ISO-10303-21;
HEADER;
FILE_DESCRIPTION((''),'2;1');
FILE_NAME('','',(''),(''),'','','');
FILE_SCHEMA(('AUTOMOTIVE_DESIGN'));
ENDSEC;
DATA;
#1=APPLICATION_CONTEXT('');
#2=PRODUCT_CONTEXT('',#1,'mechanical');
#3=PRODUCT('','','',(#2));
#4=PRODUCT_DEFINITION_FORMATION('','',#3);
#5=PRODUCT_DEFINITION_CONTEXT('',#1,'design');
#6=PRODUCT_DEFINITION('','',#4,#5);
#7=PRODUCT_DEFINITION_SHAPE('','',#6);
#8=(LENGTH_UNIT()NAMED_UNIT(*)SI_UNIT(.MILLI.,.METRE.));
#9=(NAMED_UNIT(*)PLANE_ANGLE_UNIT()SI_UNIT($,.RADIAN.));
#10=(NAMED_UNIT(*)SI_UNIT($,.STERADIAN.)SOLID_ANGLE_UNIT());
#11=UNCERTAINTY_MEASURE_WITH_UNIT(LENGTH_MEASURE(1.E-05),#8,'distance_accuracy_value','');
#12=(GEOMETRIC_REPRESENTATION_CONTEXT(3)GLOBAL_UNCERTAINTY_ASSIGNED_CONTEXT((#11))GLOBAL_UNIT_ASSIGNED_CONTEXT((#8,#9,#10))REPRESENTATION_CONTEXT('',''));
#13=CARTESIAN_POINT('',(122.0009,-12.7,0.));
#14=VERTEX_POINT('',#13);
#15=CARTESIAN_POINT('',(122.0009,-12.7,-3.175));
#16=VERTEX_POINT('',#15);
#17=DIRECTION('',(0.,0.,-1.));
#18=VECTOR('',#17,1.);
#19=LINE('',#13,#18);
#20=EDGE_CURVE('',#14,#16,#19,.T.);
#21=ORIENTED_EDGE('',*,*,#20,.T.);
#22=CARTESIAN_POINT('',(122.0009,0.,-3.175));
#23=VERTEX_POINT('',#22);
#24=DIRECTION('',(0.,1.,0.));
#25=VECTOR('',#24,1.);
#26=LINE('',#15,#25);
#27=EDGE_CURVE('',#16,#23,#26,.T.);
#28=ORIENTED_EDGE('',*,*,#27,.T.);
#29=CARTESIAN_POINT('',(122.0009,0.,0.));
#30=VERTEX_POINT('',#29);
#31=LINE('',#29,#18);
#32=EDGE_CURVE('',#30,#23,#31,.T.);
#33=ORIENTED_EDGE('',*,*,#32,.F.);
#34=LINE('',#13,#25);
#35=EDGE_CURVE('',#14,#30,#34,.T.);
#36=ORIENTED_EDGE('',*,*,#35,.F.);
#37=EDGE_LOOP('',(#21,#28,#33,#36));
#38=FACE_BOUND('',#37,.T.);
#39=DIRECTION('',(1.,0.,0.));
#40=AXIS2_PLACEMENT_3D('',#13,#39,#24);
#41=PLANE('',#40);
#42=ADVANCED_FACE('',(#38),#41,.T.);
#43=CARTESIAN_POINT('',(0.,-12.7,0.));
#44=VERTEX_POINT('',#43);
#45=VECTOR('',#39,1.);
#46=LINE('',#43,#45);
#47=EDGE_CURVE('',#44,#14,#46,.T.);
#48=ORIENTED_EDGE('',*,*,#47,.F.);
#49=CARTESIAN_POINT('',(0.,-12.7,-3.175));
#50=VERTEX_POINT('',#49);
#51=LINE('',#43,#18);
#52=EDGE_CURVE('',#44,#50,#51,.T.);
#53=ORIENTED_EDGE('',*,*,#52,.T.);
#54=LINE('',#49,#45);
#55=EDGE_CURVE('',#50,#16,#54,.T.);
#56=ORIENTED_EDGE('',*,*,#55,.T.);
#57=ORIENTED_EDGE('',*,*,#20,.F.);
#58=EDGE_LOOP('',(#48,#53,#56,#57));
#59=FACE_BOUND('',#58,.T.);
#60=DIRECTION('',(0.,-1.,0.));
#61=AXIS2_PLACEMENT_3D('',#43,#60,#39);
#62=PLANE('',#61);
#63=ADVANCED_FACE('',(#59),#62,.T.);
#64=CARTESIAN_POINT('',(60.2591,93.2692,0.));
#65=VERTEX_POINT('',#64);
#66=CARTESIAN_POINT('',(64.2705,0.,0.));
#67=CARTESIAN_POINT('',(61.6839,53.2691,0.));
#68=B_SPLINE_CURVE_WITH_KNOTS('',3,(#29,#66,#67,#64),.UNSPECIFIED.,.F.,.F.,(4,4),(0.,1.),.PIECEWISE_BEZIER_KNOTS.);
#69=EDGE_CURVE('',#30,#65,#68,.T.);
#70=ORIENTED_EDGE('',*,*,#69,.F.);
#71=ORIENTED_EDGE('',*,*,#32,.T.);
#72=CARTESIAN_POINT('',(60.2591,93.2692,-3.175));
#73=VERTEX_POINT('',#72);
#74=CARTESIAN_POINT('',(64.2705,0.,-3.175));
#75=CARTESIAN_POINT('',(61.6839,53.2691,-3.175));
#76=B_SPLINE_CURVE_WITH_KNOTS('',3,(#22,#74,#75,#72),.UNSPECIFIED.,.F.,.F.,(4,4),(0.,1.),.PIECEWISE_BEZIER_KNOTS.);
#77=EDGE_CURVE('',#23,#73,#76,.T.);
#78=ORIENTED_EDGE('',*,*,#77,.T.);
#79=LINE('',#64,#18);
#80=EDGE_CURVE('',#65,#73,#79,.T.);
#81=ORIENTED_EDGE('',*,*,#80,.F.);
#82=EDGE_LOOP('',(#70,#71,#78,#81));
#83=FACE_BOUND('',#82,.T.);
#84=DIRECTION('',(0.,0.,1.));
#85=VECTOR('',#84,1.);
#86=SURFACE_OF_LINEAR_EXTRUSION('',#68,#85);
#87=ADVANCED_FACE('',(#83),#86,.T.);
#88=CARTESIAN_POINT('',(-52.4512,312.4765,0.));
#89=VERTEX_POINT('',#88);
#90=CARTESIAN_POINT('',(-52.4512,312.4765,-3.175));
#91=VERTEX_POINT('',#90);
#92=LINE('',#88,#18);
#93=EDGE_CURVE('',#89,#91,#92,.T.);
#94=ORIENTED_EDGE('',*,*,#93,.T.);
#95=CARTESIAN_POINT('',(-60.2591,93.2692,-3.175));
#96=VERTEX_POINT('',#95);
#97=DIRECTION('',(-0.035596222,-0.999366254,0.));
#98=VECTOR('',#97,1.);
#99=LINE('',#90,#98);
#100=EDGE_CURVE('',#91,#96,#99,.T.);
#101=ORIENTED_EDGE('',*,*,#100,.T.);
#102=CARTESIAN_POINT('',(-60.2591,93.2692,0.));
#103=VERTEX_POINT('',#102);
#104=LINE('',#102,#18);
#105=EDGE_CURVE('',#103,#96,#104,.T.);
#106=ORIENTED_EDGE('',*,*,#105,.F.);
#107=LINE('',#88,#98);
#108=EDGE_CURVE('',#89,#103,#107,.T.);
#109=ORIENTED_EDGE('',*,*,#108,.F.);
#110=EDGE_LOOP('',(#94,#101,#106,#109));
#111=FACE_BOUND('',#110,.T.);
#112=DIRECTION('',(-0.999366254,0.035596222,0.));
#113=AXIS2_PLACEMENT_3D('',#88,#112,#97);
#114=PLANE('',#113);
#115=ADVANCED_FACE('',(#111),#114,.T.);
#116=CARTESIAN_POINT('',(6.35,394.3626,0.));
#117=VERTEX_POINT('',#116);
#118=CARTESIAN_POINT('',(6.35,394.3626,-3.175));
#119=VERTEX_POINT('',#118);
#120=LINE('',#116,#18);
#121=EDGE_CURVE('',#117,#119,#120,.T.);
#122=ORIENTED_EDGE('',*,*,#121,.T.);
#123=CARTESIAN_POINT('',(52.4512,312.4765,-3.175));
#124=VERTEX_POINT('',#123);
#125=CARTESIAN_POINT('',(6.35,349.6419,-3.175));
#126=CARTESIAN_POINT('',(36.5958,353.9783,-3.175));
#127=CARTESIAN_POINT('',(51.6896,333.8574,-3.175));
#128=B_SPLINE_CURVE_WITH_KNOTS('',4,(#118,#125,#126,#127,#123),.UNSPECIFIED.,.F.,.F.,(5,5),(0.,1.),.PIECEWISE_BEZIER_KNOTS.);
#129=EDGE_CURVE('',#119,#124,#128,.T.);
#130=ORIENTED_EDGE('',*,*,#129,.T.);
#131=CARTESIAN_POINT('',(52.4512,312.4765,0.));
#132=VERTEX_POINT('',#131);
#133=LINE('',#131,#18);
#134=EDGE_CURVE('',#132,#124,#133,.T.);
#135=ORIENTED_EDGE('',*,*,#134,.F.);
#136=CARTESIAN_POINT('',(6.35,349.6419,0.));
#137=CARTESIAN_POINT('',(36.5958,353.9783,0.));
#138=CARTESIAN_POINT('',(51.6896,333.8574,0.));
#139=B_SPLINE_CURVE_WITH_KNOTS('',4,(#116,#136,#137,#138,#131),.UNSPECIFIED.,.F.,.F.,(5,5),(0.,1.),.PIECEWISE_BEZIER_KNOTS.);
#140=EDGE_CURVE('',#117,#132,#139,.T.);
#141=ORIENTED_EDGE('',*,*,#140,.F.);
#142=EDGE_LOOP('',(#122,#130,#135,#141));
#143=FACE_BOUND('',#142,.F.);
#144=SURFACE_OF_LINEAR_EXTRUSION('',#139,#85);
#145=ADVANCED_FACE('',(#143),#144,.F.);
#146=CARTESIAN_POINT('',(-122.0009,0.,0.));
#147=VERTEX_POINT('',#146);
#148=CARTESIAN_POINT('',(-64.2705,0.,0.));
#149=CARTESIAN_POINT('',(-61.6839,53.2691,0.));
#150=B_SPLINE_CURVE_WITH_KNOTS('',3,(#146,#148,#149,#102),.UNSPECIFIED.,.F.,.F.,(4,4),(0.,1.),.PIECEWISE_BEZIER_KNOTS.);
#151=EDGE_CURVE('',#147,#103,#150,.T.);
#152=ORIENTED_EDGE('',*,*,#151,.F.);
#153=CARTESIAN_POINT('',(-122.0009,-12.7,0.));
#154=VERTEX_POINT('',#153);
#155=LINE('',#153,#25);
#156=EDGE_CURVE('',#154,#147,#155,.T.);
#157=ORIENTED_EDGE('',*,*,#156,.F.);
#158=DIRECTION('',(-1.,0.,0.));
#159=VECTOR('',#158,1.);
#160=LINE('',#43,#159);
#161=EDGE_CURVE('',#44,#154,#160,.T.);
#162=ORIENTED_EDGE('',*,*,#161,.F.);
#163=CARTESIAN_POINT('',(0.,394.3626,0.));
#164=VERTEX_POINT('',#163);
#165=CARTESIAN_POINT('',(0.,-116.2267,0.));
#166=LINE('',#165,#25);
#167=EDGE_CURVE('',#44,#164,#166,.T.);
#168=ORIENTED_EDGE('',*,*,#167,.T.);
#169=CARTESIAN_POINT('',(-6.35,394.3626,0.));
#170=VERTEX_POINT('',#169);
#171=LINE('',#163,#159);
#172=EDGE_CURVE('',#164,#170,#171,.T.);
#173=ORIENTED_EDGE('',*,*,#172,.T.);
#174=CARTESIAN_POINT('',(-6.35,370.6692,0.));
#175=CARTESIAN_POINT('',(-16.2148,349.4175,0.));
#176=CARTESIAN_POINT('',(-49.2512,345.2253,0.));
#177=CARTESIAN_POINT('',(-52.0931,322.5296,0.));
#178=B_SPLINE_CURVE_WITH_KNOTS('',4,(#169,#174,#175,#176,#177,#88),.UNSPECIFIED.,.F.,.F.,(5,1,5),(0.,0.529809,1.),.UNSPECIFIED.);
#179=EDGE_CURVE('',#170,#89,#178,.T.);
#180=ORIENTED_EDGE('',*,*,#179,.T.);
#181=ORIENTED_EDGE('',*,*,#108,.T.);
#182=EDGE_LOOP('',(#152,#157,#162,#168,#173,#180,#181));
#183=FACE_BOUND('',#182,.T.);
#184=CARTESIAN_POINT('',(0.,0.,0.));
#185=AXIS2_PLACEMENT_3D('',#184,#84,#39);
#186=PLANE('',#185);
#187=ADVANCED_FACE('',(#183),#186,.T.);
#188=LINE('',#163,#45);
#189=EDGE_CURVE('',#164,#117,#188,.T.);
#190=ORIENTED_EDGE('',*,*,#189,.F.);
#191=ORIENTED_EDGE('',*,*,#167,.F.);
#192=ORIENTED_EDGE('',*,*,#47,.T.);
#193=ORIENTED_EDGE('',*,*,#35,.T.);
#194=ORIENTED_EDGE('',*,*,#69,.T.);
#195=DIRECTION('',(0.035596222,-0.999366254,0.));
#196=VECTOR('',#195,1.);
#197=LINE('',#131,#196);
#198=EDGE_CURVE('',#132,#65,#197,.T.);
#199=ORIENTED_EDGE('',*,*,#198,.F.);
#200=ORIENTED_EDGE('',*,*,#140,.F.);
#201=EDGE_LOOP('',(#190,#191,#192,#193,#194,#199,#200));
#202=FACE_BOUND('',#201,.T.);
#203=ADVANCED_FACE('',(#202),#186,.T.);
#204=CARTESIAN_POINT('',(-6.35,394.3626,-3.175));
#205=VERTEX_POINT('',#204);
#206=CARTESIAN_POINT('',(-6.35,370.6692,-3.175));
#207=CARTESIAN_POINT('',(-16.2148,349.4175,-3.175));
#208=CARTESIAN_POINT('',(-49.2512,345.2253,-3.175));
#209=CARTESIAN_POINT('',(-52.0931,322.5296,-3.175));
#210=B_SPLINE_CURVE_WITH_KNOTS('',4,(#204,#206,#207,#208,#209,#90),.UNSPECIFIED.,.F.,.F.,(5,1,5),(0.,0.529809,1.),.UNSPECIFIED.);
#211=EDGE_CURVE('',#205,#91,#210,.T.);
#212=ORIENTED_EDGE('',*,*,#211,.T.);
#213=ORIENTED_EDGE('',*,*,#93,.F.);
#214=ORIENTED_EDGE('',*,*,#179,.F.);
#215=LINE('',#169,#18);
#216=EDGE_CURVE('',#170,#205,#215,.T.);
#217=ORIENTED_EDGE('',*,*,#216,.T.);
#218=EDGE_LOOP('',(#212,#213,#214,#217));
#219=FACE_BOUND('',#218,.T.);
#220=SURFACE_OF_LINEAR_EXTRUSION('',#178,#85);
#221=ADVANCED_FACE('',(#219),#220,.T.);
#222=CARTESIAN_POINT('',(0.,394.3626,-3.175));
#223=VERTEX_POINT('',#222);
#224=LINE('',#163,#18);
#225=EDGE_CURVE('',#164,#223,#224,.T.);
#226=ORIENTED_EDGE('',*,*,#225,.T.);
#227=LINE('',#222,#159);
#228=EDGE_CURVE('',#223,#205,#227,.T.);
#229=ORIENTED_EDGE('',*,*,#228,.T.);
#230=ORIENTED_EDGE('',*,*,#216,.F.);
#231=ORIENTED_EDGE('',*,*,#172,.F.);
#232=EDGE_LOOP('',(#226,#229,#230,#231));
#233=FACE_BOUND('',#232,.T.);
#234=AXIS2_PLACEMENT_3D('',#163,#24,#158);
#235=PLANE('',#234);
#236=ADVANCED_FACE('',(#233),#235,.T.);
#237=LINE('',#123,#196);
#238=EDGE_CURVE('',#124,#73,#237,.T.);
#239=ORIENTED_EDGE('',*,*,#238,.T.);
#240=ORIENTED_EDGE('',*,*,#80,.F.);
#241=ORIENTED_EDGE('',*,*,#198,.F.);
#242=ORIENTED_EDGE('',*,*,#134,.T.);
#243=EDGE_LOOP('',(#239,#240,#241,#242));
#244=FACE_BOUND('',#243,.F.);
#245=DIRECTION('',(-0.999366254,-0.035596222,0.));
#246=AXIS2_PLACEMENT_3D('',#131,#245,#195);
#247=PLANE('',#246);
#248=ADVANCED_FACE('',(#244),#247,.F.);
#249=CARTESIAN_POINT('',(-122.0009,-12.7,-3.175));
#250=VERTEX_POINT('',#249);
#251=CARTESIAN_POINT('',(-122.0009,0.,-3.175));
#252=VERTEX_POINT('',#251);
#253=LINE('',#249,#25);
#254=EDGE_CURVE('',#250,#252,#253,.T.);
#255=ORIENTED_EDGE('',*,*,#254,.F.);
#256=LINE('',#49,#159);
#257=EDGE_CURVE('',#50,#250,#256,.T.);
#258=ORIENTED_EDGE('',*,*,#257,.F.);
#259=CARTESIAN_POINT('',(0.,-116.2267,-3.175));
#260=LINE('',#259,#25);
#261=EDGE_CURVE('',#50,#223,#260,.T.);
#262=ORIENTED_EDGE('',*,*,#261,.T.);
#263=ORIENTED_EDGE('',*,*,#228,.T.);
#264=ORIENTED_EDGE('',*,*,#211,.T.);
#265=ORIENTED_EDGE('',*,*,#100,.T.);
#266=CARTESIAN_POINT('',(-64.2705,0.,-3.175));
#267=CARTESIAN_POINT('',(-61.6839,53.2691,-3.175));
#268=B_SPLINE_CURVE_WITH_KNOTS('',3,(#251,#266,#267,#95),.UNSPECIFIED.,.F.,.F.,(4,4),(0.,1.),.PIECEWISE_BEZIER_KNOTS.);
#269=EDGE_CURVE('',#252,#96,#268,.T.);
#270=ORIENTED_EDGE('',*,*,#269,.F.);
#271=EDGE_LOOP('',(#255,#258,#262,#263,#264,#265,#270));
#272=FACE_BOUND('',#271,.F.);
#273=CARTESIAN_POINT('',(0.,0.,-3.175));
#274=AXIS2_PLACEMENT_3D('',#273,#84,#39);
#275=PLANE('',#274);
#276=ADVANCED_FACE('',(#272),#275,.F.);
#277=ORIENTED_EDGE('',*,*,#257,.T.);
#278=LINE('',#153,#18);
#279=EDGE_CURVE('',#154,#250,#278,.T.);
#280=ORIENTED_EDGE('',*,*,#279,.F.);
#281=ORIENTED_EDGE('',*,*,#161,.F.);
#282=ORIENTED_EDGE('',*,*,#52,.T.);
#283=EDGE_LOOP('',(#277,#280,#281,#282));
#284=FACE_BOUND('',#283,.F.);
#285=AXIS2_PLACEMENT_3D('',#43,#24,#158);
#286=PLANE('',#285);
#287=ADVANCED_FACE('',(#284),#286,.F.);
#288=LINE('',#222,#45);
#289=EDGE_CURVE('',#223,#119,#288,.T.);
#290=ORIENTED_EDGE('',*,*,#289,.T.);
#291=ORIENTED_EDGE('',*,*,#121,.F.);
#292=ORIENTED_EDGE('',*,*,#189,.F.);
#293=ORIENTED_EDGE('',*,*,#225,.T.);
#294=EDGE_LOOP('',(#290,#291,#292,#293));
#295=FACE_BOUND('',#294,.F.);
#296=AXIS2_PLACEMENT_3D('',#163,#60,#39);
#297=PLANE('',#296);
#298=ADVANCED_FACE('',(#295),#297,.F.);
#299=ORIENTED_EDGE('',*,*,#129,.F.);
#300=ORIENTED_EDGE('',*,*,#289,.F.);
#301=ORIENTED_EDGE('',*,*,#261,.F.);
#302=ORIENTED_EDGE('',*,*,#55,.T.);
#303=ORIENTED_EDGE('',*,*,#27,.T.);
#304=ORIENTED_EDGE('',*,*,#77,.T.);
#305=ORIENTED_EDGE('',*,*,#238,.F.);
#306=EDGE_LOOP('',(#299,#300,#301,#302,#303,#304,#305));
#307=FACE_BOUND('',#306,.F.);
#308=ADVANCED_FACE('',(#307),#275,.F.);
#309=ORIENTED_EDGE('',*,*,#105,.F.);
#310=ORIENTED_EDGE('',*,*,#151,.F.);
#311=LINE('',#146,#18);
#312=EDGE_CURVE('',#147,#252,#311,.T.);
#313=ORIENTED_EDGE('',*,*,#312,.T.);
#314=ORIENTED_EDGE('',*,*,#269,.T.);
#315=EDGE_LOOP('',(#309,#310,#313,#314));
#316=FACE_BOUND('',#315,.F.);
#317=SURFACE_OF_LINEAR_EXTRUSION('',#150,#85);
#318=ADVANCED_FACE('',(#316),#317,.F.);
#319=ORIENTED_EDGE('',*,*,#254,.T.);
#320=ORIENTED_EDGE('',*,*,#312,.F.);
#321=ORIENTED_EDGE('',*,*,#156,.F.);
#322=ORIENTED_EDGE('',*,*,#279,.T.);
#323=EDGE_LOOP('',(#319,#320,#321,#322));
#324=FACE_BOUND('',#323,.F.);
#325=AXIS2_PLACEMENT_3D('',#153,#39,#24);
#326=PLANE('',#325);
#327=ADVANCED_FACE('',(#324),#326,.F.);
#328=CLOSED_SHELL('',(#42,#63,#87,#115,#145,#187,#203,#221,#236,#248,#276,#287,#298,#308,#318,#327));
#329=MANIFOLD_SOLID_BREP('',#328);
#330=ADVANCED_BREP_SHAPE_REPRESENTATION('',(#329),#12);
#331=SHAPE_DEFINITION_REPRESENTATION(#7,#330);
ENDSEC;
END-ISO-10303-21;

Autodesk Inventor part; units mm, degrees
ref_plane "YZ Plane" through (0, 0, 0) normal (1, 0, 0) x (0, 1, 0)
ref_plane "XZ Plane" through (0, 0, 0) normal (0, 1, 0) x (-1, 0, 0)
ref_plane "XY Plane" through (0, 0, 0) normal (0, 0, 1) x (1, 0, 0)
sketch "Sketch1" plane through (0, 0, 0) normal (0, 0, 1) x (1, 0, 0)
  line L0 (76.2, -12.7) -> (381, -12.7) construction
  line L1 (-76.2, -12.7) -> (-381, -12.7) construction
  line L2 (-76.2, 0) -> (-381, 0) construction
  line L3 (76.2, 0) -> (381, 0) construction
  line L4 (0, -116.2267) -> (0, 608.4603)
  line L5 (0, -12.7) -> (-122.0009, -12.7)
  line L6 (-122.0009, -12.7) -> (-122.0009, 0)
  line L7 (0, 394.3626) -> (-6.35, 394.3626)
  line L8 (-52.4512, 312.4765) -> (-60.2591, 93.2692)
  spline S0 degree 3 poles (-122.0009, 0) (-64.2705, 0) (-61.6839, 53.2691) (-60.2591, 93.2692) knots 0 0 0 0 1 1 1 1
  line L9 (-127.2981, 0) -> (-116.7037, 0) construction
  arc A0 (-126.2344, 0.0955) -> (-117.7675, 0.0955) centre (-122.0009, 93.8482) ccw construction
  line L10 (52.4512, 312.4765) -> (60.2591, 93.2692)
  line L11 (0, 394.3626) -> (6.35, 394.3626)
  spline S1 degree 3 poles (122.0009, 0) (64.2705, 0) (61.6839, 53.2691) (60.2591, 93.2692) knots 0 0 0 0 1 1 1 1
  line L12 (127.2981, 0) -> (116.7037, 0) construction
  arc A1 (117.7675, 0.0955) -> (126.2344, 0.0955) centre (122.0009, 93.8482) ccw construction
  line L13 (0, -12.7) -> (122.0009, -12.7)
  line L14 (122.0009, -12.7) -> (122.0009, 0)
  spline S2 degree 4 poles (-6.35, 394.3626) (-6.35, 370.6692) (-16.2148, 349.4175) (-49.2512, 345.2253) (-52.0931, 322.5296) (-52.4512, 312.4765) knots 0 0 0 0 0 0.529809 1 1 1 1 1
  line L15 (-6.35, 421.2444) -> (-6.35, 367.4808) construction
  arc A2 (-7.9378, 373.0956) -> (-7.9378, 415.6296) centre (-149.5647, 394.3626) ccw construction
  spline S3 degree 4 poles (6.35, 394.3626) (6.35, 349.6419) (36.5958, 353.9783) (51.6896, 333.8574) (52.4512, 312.4765) knots 0 0 0 0 0 1 1 1 1 1
  line L16 (6.35, 421.2444) -> (6.35, 367.4808) construction
  arc A3 (7.9378, 415.6296) -> (7.9378, 373.0956) centre (149.5647, 394.3626) ccw construction
  line L17 (-23.1287, 353.4652) -> (-48.6526, 335.307) construction
  arc A4 (-25.2872, 350.8986) -> (-45.5201, 336.5045) centre (17.5347, 269.2893) ccw construction
  point P0 (0, 0)
  point P1 (-35.8906, 344.3861)
  point P2 (35.8906, 344.3861)
  dimension "d0" = 6.35
extrude "Extrusion1" add sketch "Sketch1" against normal blind 3.175
properties part number "Plate" material "High Impact Polystyrene"
